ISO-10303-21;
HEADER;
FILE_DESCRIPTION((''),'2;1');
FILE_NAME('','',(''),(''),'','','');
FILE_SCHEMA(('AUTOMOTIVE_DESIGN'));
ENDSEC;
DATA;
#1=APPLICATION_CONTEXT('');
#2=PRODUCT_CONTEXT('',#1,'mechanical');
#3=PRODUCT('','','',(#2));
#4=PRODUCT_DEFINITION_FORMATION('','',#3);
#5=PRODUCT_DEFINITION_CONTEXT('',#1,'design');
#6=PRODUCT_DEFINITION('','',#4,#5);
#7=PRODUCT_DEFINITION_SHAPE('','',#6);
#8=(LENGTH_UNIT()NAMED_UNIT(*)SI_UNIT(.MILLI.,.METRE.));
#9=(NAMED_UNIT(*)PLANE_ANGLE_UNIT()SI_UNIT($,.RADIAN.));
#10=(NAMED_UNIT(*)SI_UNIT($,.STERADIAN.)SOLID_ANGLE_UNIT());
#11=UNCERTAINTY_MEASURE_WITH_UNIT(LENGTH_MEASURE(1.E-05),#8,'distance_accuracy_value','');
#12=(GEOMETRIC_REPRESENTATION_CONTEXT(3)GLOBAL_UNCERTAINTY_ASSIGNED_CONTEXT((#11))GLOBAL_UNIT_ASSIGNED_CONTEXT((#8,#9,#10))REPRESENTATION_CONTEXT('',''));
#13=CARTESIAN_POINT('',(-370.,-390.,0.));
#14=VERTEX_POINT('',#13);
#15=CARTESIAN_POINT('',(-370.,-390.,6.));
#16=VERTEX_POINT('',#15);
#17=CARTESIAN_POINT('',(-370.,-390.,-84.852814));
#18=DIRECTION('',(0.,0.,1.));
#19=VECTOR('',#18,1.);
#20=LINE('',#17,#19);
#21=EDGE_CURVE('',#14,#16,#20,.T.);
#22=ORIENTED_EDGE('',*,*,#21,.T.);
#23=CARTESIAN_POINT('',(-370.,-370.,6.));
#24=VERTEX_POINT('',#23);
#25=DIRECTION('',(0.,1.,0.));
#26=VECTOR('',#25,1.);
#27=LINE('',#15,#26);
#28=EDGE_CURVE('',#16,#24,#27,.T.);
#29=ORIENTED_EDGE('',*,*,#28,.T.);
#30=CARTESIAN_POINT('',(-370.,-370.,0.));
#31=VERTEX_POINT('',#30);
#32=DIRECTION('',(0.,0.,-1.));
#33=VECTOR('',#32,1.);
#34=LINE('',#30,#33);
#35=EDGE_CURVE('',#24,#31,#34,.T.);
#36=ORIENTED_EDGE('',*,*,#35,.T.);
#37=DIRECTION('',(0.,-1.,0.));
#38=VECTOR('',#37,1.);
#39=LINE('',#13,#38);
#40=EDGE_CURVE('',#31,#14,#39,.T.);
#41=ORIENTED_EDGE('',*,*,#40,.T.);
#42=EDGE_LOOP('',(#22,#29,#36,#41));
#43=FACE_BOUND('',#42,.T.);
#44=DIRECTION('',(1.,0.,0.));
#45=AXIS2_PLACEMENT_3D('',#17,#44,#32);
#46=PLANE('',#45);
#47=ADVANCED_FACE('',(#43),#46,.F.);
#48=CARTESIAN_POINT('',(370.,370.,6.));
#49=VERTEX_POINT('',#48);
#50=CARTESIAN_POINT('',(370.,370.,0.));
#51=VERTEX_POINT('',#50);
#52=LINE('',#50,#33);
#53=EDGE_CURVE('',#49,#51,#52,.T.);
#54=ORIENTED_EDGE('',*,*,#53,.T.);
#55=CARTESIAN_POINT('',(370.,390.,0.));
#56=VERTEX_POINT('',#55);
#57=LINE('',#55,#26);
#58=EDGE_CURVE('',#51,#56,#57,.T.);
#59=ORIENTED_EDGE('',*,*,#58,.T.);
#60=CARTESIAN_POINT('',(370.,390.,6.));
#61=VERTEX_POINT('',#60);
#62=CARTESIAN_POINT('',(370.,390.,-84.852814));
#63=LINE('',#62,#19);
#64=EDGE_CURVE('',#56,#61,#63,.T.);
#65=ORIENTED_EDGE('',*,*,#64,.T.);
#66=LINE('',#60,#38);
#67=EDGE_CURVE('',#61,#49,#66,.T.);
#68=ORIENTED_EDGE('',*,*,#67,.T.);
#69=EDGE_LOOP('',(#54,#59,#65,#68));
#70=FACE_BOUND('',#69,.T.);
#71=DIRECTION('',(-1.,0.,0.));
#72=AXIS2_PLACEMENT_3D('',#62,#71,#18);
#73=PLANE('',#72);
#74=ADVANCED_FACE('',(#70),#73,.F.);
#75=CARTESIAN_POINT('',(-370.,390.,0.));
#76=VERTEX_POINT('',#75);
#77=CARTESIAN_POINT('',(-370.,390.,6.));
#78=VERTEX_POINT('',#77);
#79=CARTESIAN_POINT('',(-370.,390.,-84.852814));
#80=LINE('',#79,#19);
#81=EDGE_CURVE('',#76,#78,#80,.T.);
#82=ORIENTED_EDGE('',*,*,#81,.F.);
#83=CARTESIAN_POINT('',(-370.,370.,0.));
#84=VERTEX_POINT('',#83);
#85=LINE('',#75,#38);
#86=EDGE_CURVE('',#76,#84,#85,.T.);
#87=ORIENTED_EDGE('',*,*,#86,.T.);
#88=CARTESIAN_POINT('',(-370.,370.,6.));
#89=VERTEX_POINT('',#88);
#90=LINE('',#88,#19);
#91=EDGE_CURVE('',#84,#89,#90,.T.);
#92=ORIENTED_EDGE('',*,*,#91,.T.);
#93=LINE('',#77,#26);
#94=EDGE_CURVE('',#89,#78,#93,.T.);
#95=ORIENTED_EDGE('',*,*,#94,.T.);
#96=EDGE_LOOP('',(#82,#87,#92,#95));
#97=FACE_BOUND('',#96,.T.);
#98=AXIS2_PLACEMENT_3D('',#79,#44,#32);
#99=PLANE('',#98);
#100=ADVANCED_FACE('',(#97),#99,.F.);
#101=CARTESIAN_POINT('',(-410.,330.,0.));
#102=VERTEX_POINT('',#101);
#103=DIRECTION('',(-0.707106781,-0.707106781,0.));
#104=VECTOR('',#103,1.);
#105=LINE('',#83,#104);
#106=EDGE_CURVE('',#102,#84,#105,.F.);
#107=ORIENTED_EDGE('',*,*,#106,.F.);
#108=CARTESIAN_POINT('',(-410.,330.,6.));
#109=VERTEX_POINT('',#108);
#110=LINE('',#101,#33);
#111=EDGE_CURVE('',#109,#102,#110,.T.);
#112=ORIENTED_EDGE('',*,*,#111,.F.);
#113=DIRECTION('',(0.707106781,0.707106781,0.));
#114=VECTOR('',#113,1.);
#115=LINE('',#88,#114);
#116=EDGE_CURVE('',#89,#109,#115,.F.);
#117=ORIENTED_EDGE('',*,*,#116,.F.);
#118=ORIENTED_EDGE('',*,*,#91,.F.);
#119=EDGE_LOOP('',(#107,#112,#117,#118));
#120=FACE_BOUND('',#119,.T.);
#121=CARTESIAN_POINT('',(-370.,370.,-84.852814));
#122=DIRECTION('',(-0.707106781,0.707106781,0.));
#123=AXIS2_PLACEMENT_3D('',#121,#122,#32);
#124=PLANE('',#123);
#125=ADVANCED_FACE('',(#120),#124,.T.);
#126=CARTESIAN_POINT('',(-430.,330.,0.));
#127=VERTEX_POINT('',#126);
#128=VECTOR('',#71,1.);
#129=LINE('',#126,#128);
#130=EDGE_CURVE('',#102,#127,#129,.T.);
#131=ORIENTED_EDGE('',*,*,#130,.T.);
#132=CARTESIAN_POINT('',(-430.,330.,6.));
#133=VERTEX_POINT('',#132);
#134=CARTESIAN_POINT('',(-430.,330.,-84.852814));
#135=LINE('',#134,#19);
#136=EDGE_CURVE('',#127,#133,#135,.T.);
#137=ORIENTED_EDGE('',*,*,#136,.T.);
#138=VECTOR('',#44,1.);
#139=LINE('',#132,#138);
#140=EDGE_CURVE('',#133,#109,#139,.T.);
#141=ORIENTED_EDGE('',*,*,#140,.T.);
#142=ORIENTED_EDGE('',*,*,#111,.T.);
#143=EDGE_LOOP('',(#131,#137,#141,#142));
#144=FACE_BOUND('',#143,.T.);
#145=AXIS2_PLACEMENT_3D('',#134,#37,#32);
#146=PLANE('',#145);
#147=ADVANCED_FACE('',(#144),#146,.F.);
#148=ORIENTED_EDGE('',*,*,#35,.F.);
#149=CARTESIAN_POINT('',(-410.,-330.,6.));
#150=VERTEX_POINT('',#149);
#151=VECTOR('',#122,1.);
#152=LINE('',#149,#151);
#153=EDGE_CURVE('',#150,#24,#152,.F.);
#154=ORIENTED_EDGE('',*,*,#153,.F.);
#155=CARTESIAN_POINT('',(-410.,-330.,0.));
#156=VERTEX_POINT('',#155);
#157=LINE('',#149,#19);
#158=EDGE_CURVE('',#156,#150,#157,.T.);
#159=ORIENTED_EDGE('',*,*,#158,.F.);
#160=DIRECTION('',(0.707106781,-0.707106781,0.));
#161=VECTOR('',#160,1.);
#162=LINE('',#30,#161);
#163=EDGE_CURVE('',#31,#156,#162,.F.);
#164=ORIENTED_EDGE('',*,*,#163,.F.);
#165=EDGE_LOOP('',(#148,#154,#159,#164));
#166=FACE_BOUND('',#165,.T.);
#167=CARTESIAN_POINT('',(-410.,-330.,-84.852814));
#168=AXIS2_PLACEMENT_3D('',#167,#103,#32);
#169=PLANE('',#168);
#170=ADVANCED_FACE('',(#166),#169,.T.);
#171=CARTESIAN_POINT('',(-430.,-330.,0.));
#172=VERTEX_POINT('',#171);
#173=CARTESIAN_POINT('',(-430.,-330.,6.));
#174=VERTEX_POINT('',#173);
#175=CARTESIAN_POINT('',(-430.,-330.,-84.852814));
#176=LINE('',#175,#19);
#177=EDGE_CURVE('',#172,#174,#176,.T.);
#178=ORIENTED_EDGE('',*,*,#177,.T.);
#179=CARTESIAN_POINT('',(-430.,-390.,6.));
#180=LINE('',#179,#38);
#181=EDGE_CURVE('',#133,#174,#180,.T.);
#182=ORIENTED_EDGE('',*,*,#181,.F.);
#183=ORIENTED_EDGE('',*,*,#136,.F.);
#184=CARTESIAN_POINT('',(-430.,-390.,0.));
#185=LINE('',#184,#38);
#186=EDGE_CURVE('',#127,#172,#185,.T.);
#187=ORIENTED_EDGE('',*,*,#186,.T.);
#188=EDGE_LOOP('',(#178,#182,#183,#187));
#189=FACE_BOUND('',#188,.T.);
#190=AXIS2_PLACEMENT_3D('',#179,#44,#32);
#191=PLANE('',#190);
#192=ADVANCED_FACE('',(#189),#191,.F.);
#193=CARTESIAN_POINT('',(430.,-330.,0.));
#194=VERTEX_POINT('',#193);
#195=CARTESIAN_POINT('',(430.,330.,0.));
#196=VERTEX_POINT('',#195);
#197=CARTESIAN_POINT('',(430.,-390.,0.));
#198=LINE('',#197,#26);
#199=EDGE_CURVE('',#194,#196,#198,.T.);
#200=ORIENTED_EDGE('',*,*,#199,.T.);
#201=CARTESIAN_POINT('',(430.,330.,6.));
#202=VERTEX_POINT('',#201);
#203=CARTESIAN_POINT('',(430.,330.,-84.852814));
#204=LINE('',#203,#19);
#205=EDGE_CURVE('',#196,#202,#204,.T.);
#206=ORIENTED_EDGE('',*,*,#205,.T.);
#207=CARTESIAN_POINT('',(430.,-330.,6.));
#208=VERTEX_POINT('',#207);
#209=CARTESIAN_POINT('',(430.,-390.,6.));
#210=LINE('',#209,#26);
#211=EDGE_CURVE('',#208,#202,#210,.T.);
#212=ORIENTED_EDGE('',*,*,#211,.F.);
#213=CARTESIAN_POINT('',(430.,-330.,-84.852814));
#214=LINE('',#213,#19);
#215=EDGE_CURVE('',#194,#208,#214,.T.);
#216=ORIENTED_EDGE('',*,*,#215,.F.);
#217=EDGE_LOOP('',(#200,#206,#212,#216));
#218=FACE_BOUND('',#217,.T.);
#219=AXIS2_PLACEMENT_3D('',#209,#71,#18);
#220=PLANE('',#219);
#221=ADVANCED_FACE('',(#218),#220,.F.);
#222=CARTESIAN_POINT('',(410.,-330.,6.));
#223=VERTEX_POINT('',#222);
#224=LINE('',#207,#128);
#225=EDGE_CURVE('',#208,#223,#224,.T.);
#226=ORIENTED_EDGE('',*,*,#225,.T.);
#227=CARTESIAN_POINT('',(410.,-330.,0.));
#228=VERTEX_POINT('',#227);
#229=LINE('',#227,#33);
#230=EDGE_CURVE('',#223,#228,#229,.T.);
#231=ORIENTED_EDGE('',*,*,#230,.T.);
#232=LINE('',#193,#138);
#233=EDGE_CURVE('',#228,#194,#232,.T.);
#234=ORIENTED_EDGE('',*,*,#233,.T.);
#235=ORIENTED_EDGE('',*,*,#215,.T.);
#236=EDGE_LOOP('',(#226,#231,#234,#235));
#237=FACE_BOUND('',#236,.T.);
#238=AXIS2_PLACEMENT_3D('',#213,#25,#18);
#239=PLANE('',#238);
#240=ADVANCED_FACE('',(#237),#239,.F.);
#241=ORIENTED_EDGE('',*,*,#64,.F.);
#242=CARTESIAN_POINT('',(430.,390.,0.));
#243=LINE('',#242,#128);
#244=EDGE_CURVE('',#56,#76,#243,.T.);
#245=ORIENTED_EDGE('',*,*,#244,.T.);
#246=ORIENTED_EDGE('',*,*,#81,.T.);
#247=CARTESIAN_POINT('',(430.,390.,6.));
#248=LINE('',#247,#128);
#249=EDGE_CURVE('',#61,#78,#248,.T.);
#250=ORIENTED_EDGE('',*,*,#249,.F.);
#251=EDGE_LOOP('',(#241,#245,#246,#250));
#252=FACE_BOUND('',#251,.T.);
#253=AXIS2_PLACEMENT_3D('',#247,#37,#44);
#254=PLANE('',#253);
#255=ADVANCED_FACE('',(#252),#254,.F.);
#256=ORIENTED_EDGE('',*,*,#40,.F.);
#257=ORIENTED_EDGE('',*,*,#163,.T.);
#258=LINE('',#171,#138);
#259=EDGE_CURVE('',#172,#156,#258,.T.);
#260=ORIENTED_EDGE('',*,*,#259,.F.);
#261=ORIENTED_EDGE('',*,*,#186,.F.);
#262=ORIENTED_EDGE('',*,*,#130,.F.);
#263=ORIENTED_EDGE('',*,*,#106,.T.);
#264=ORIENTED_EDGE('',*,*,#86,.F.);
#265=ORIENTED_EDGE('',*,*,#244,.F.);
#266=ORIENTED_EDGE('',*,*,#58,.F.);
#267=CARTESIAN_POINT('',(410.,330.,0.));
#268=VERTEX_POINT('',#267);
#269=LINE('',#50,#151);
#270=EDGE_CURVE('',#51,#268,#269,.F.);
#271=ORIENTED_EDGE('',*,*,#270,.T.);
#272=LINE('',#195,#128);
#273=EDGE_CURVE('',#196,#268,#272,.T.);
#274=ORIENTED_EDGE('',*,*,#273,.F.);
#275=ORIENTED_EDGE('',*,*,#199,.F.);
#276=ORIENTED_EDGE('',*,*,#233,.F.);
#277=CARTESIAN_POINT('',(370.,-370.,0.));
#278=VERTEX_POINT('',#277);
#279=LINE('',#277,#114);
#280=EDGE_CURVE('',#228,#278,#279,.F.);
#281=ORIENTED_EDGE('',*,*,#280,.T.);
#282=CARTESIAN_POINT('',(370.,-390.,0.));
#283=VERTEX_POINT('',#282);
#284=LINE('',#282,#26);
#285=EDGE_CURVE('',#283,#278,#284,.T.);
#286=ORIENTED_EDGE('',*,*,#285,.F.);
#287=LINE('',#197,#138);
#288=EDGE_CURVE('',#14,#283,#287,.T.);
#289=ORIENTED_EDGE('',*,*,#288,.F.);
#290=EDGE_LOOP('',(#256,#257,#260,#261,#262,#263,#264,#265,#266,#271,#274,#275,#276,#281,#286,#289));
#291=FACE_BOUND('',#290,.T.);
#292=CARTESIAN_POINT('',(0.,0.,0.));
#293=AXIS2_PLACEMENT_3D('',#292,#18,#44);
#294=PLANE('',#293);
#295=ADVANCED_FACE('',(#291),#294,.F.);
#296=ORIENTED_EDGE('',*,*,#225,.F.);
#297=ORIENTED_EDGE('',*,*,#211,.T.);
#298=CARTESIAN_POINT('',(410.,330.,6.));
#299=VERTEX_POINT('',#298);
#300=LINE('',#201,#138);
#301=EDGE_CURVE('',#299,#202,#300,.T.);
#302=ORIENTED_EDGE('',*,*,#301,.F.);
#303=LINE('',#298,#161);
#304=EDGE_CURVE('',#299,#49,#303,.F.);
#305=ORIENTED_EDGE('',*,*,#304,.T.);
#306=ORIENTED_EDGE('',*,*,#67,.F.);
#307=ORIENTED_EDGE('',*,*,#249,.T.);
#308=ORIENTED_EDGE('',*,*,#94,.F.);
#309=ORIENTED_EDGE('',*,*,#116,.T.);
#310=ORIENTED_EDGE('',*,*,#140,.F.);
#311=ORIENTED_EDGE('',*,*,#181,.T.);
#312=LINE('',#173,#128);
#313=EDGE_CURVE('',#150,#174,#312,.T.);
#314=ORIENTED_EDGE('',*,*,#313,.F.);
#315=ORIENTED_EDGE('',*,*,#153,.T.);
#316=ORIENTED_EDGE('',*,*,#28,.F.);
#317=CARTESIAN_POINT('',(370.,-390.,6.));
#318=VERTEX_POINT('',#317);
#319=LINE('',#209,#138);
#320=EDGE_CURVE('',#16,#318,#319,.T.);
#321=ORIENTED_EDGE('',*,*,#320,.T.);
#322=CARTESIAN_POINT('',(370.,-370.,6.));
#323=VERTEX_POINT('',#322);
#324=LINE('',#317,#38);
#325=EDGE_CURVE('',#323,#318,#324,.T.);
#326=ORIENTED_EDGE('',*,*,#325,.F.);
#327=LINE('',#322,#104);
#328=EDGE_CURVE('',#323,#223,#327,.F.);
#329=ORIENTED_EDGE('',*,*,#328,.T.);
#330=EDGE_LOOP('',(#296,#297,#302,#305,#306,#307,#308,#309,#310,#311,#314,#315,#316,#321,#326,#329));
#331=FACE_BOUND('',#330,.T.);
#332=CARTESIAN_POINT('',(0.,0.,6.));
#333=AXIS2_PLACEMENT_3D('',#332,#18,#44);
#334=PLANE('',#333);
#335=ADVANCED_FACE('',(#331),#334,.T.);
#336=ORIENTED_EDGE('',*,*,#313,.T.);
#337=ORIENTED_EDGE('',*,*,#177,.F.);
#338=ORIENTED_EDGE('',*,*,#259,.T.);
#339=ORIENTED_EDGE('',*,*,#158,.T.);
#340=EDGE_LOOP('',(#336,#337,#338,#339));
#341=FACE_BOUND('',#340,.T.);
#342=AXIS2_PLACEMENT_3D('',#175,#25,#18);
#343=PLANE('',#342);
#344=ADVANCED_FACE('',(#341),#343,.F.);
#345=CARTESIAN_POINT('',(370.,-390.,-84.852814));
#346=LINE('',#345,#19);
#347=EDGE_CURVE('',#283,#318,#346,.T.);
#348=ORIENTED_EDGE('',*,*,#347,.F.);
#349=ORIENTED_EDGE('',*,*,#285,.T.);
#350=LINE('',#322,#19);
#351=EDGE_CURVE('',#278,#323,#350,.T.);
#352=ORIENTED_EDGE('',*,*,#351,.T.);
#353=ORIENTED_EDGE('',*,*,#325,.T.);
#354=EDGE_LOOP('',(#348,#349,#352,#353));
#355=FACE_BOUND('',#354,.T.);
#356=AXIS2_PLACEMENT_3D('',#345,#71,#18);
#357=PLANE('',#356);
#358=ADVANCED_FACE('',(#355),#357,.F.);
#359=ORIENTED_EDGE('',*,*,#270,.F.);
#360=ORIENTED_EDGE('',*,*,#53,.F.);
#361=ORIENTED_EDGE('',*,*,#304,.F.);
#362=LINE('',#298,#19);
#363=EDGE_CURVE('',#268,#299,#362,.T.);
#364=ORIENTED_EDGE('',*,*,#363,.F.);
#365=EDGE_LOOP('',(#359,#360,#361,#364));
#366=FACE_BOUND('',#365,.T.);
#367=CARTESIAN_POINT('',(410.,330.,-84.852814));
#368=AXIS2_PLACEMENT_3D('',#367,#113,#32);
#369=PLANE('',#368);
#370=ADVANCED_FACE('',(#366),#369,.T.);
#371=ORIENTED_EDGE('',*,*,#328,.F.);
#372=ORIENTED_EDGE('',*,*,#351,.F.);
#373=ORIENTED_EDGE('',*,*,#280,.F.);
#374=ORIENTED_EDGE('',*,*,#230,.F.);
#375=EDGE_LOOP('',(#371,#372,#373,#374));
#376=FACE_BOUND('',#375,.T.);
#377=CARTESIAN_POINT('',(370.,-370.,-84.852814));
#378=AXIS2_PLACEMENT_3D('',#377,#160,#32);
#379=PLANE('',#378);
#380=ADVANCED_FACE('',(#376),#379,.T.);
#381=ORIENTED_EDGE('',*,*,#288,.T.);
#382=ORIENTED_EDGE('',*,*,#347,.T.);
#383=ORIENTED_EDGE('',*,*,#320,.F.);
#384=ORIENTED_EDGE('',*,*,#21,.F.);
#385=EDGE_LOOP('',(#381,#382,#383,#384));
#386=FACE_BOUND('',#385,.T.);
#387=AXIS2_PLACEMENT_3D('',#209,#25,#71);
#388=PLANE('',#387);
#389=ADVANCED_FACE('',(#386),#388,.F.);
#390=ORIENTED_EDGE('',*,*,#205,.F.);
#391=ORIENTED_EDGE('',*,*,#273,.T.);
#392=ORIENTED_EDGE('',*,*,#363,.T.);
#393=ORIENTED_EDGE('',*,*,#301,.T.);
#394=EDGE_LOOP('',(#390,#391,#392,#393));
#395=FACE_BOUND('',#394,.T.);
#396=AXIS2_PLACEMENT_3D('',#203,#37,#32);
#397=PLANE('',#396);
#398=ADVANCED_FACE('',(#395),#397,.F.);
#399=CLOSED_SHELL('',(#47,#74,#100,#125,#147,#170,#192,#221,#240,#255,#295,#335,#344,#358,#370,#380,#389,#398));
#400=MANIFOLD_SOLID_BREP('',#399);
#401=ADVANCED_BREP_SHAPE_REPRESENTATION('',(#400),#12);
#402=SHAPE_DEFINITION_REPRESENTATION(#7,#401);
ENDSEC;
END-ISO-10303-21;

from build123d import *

# Parameters (mm, degrees)
SKETCH1_W           = 860
SKETCH1_H           = 780
BOSS_EXTRUDE1_DEPTH = 6
SKETCH2_W           = 60
SKETCH2_H           = 60
CUT_EXTRUDE1_DEPTH  = 6
CHAMFER1_SIZE       = 40


with BuildPart() as part:
    # Sketch1 → Boss-Extrude1 (new body)
    with BuildSketch(Plane.XY):
        Rectangle(SKETCH1_W, SKETCH1_H)
    extrude(amount=BOSS_EXTRUDE1_DEPTH)

    # Sketch2 → Cut-Extrude1 (cut)
    with BuildSketch(Plane.XY.offset(6)):
        with Locations((-400, 360)):
            Rectangle(SKETCH2_W, SKETCH2_H)
        with Locations((400, 360)):
            Rectangle(SKETCH2_W, SKETCH2_H)
        with Locations((400, -360)):
            Rectangle(SKETCH2_W, SKETCH2_H)
        with Locations((-400, -360)):
            Rectangle(SKETCH2_W, SKETCH2_H)
    extrude(amount=-CUT_EXTRUDE1_DEPTH, mode=Mode.SUBTRACT)

    # Chamfer1
    chamfer1_edges = [part.edges().sort_by_distance(p)[0] for p in [
        (-370, -330, 3),
        (370, -330, 3),
        (370, 330, 3),
        (-370, 330, 3),
    ]]
    chamfer(chamfer1_edges, length=CHAMFER1_SIZE)


solid = part.part
